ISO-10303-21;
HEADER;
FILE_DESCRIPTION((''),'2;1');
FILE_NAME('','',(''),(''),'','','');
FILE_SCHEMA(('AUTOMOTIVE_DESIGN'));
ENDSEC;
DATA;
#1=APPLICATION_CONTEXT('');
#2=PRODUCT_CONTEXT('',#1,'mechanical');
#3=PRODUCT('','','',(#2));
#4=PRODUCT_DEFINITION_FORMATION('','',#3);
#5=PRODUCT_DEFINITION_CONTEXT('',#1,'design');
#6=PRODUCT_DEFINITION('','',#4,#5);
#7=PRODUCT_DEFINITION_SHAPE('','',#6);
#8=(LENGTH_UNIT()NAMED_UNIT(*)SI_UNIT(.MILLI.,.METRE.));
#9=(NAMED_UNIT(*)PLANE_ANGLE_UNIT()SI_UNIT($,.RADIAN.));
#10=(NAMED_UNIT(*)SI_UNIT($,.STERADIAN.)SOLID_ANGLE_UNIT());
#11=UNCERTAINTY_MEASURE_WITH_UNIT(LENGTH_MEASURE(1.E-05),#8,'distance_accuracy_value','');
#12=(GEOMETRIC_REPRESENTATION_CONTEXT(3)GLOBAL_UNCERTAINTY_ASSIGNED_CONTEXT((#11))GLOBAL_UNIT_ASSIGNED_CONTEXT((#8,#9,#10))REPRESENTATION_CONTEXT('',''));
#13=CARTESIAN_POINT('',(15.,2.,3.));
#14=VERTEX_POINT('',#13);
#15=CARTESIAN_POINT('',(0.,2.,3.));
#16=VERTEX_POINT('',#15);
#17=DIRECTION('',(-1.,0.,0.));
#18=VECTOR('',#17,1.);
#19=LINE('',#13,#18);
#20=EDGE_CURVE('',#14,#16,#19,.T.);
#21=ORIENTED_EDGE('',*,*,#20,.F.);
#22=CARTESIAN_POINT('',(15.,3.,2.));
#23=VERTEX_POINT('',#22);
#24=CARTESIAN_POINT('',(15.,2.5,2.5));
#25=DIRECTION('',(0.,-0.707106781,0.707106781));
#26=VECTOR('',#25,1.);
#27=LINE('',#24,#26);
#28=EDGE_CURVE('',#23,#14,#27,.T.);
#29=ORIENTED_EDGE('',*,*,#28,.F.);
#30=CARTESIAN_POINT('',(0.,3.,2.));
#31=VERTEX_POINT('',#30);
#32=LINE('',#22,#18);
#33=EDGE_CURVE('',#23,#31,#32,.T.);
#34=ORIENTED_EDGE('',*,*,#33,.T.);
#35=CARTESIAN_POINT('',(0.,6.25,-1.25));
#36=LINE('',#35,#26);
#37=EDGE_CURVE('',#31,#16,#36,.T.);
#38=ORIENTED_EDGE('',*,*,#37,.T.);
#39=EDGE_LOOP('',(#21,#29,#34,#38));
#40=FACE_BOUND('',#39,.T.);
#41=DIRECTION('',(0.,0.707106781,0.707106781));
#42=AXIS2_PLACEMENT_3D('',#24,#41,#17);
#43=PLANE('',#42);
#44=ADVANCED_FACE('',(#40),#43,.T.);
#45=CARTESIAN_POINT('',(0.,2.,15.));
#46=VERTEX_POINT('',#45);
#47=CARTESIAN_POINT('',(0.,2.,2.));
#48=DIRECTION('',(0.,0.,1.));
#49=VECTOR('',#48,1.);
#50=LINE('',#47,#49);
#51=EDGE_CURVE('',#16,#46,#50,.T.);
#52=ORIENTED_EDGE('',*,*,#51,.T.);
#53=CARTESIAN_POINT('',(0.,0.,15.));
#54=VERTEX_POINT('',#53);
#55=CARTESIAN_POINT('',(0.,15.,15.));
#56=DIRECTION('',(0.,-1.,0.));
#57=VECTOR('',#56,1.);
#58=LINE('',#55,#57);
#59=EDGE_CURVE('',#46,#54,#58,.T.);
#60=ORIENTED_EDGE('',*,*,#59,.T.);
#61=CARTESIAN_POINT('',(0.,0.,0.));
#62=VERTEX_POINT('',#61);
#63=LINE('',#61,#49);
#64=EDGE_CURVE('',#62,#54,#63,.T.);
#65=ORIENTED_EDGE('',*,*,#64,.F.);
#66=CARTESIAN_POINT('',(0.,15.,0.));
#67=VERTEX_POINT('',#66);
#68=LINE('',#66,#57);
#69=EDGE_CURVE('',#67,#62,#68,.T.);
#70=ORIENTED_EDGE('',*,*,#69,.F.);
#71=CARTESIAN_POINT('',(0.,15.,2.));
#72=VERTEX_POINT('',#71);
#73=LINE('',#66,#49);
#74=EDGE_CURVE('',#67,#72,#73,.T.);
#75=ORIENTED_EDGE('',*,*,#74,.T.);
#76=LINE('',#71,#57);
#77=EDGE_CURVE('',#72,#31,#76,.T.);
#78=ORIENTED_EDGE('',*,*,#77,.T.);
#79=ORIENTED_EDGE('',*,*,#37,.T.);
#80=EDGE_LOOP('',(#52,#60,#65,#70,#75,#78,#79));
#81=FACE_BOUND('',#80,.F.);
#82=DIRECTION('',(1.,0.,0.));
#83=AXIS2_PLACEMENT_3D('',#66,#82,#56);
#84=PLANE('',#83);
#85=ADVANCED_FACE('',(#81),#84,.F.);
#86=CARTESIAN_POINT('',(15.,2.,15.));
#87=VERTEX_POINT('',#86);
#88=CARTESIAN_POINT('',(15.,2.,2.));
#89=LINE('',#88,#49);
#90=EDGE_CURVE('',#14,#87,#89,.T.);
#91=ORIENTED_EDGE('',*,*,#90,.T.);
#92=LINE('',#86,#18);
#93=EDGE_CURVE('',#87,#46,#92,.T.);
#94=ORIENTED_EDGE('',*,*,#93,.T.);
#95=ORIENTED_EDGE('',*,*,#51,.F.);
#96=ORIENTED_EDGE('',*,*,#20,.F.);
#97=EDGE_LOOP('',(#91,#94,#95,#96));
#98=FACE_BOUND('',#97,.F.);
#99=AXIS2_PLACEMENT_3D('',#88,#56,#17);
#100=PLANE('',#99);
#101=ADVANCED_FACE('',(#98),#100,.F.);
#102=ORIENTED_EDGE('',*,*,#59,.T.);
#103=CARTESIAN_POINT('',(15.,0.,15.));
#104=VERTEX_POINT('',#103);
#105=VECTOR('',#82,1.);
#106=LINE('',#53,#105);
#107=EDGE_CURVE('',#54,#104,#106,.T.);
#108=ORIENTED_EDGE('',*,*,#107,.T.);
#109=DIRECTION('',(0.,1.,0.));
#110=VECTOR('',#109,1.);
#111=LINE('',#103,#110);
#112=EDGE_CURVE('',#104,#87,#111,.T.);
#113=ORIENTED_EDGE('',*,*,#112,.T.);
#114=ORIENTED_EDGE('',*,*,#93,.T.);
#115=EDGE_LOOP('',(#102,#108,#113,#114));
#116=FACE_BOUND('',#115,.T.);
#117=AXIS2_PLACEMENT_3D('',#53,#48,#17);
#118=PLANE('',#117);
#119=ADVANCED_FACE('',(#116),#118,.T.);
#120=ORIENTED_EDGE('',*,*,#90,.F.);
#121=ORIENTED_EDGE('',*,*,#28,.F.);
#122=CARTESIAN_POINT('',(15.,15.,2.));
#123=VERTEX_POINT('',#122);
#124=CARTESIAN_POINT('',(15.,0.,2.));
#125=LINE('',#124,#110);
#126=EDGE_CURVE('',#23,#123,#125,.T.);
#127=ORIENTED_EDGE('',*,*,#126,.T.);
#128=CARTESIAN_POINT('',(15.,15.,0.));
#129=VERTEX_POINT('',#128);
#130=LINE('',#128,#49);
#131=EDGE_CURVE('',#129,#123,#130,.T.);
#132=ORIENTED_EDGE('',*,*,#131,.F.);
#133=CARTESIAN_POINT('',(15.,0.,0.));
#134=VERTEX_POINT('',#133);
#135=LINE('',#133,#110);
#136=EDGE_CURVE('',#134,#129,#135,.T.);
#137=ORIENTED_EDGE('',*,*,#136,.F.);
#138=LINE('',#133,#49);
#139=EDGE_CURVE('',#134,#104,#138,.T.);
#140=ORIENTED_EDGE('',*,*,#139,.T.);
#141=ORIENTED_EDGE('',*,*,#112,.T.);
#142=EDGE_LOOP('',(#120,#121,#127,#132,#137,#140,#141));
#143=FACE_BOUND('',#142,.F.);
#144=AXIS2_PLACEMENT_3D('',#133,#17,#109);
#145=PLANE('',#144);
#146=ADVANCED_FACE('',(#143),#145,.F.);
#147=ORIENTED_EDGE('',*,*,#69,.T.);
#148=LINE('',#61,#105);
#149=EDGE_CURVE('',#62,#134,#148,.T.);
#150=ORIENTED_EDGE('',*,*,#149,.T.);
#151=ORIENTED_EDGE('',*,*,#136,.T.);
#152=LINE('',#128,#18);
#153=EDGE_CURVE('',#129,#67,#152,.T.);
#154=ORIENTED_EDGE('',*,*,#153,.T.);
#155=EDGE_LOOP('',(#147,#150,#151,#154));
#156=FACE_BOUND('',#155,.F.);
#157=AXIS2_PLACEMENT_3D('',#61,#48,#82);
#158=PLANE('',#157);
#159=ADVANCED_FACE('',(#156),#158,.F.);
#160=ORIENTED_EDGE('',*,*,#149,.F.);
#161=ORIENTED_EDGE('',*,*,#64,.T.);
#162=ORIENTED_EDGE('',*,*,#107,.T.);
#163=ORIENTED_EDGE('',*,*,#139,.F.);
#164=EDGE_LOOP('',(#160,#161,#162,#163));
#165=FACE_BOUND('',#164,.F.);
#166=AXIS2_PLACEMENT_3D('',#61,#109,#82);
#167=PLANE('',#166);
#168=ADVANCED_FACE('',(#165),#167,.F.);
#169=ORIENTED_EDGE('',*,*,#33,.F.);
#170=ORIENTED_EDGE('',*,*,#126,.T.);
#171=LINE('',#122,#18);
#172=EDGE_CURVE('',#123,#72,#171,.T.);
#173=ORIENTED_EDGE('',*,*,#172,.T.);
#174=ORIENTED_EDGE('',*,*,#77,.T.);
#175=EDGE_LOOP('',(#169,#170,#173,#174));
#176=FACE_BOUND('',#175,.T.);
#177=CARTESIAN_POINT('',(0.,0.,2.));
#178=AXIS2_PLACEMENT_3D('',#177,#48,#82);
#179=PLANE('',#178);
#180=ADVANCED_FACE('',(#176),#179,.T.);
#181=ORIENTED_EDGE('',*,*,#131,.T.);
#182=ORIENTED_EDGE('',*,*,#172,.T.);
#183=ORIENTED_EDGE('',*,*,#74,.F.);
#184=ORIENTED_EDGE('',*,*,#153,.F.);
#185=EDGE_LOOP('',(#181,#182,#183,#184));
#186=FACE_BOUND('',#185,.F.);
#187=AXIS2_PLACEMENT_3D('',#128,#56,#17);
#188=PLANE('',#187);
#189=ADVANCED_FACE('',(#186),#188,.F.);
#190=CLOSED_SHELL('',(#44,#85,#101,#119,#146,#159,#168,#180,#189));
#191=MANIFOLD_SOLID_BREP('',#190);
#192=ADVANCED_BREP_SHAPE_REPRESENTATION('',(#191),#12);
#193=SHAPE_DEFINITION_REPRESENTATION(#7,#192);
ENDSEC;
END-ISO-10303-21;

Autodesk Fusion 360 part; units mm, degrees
sketch "Sketch1" plane through (0, 0, 0) normal (0, 0, 1) x (1, 0, 0)
  line L0 (0, 0) -> (15, 0)
  line L1 (15, 0) -> (15, 15)
  line L2 (15, 15) -> (0, 15)
  line L3 (0, 15) -> (0, 0)
  dimension "d1" = 15
  dimension "d2" = 15
extrude "Extrude1" add sketch "Sketch1" along normal blind 2
sketch "Sketch2" plane through (0, 0, 2) normal (0, 0, 1) x (-1, 0, 0)
  line L0 (0, -15) -> (0, 0)
  line L1 (0, 0) -> (-15, 0)
  line L2 (-15, 0) -> (-15, -15)
  line L3 (-15, -15) -> (0, -15)
  line L4 (0, 0) -> (-15, 0)
  line L5 (-15, 0) -> (-15, -2)
  line L6 (-15, -2) -> (0, -2)
  line L7 (0, -2) -> (0, 0)
  dimension "d5" = 2
extrude "Extrude2" add sketch "Sketch2" along normal blind 13 contours L0 L1 L2 L4 L5 L6 L7
chamfer "Chamfer1" distance 1 angle 45 1 edges at (7.5, 2, 2)
